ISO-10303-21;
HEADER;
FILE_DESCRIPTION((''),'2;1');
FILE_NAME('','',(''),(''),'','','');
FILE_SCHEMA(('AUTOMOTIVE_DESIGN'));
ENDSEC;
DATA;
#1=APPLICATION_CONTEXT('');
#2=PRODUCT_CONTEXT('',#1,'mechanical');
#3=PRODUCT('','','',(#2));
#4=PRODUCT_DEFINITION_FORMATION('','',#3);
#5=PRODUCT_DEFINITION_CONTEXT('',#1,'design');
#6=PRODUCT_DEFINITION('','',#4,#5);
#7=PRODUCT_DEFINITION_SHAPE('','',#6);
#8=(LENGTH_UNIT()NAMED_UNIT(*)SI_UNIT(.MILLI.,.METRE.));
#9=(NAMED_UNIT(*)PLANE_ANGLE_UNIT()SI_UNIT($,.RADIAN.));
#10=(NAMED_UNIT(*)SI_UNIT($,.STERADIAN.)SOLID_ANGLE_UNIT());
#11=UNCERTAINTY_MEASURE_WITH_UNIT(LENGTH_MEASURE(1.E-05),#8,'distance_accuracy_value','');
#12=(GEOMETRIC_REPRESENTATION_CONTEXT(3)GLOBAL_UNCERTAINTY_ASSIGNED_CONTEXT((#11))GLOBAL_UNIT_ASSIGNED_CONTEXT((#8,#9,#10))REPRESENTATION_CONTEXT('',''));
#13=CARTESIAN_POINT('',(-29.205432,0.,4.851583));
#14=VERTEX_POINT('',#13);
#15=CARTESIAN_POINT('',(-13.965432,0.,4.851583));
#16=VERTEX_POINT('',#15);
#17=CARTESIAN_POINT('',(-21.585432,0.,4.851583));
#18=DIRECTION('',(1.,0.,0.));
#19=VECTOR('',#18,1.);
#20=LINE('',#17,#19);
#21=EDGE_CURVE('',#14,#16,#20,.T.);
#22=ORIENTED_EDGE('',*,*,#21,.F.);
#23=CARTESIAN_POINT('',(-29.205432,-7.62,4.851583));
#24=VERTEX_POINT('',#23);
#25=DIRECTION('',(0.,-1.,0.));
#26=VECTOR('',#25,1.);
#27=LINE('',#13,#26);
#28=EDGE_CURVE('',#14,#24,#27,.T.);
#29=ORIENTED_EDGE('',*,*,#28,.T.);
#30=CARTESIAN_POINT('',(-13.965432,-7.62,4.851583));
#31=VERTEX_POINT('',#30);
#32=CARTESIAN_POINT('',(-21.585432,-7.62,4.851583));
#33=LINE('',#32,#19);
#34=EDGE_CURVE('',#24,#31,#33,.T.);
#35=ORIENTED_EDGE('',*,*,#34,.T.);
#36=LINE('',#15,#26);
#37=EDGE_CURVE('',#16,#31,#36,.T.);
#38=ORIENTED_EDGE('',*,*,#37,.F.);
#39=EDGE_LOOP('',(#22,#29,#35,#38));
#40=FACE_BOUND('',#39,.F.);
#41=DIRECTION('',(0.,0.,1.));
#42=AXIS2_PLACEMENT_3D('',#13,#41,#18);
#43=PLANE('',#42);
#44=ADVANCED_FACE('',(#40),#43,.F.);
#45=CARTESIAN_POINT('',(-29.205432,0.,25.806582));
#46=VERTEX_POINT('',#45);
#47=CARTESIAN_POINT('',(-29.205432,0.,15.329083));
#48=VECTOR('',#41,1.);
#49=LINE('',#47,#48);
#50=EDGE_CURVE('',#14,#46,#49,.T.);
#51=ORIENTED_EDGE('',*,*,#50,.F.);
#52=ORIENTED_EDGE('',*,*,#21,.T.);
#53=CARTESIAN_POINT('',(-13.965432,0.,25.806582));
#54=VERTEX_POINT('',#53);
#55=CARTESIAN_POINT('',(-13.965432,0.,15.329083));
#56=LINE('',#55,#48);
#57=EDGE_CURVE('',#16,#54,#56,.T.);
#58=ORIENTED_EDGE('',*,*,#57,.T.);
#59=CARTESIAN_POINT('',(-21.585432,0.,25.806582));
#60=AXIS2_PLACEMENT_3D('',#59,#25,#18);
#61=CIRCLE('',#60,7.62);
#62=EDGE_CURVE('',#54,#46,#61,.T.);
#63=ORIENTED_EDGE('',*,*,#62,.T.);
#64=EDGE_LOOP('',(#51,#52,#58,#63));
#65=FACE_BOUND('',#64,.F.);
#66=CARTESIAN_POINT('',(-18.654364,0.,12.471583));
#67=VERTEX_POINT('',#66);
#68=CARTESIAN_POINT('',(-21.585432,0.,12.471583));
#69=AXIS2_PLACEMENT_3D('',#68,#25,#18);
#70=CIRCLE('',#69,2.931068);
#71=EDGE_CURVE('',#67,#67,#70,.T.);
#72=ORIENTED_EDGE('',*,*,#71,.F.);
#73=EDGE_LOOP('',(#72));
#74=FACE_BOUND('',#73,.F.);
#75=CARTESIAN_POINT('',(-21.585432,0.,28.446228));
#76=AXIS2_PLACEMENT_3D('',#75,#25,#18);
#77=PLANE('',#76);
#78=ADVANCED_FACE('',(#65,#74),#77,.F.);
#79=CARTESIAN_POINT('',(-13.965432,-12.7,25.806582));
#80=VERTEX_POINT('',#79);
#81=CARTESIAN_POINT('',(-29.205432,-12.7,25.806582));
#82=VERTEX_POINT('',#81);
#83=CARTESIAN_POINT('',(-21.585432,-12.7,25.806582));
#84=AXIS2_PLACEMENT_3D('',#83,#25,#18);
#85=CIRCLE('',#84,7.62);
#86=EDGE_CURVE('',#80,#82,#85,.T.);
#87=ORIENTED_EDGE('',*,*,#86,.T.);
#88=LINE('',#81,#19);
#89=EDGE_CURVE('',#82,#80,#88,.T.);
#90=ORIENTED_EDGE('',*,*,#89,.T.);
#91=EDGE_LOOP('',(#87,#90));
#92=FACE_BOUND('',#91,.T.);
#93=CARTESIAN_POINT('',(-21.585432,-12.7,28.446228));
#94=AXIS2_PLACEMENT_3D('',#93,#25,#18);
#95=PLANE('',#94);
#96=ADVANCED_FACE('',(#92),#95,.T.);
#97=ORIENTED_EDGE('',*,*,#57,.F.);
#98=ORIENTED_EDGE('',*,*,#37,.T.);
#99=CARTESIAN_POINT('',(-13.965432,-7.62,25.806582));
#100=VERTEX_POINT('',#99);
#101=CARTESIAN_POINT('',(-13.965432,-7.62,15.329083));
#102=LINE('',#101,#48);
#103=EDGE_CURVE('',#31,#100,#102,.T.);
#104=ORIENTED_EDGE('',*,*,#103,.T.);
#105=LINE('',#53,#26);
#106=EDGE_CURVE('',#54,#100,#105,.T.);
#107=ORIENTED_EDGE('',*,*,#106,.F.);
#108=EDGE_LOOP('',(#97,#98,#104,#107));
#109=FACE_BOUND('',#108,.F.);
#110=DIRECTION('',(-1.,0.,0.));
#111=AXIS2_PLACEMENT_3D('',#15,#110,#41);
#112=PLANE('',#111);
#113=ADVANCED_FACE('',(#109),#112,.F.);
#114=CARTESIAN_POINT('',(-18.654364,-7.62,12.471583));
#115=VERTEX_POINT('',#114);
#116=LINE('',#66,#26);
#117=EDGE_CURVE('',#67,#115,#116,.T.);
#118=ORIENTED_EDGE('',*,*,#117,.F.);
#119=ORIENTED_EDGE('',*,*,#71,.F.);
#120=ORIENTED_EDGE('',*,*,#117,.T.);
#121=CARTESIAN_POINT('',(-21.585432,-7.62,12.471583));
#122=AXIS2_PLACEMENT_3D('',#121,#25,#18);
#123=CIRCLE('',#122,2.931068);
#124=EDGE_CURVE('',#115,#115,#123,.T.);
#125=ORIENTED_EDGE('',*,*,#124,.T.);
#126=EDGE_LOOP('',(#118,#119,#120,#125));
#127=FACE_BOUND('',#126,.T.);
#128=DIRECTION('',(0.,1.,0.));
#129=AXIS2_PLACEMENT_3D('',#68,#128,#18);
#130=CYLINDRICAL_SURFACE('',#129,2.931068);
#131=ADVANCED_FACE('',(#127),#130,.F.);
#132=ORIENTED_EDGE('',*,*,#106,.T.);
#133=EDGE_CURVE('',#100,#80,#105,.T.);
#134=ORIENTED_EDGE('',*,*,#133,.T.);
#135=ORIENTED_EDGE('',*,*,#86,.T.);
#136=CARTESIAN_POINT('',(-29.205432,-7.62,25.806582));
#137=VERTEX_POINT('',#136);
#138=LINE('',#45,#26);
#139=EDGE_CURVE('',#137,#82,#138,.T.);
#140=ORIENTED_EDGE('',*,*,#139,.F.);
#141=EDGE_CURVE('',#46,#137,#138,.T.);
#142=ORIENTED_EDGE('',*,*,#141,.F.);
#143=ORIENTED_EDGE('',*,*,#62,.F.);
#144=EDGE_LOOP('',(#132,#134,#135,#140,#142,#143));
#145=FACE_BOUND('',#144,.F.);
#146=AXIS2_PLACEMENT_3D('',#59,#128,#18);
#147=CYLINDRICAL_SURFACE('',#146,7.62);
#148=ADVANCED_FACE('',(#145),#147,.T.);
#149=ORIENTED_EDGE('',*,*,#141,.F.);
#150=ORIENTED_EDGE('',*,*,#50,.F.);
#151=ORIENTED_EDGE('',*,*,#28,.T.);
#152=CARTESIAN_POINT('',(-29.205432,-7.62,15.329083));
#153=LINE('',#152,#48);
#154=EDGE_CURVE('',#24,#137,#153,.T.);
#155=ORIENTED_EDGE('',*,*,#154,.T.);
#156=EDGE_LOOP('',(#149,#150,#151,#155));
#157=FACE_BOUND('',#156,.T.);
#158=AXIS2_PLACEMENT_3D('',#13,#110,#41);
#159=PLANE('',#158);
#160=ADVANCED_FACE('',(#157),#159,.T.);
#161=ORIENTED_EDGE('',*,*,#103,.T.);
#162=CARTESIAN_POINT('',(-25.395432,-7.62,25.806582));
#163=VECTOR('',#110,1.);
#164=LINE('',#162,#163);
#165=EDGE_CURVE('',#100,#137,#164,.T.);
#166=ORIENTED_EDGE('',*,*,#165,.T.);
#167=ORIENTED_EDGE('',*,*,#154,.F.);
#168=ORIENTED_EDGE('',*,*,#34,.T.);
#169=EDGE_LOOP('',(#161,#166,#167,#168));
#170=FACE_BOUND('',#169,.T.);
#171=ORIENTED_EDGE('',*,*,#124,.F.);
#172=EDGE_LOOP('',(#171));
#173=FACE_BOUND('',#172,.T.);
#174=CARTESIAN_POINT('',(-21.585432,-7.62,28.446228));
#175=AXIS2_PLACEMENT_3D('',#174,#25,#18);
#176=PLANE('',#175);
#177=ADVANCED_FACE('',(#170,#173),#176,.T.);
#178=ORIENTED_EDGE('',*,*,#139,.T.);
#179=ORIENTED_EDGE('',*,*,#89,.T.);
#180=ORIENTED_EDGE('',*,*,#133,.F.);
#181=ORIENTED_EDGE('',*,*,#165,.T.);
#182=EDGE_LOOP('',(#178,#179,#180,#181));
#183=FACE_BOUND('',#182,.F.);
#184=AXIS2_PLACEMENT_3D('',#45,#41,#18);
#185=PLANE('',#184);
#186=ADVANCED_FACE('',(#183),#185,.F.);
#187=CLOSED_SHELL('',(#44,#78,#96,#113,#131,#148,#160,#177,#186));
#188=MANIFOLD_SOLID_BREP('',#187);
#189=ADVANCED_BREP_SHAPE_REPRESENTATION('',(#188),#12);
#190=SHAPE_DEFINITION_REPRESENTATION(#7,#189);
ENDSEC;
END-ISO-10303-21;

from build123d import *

# Parameters (mm, degrees)
F0_W     = 15.24
F0_H     = 20.9549992294
F0_R     = 2.9310682444
F1_DEPTH = 7.62
F2_DEPTH = 12.7


with BuildPart() as f1:
    # F0 (on Front) → F1 (new body)
    with BuildSketch(Plane.XZ):
        with BuildLine():
            ThreePointArc((-13.9654323469, 25.8065824842), (-21.5854323469, 33.4265824842), (-29.2054323469, 25.8065824842))
            Line((-29.2054323469, 25.8065824842), (-13.9654323469, 25.8065824842))
        make_face()
        with Locations((-21.5854323469, 15.3290828695)):
            Rectangle(F0_W, F0_H)
        with Locations((-21.5854323469, 12.4715832548)):
            Circle(F0_R, mode=Mode.SUBTRACT)
    extrude(amount=F1_DEPTH)

    # F0 (on Front) → F2 (join)
    with BuildSketch(Plane.XZ):
        with BuildLine():
            ThreePointArc((-13.9654323469, 25.8065824842), (-21.5854323469, 33.4265824842), (-29.2054323469, 25.8065824842))
            Line((-29.2054323469, 25.8065824842), (-13.9654323469, 25.8065824842))
        make_face()
    extrude(amount=F2_DEPTH)


solid = f1.part
